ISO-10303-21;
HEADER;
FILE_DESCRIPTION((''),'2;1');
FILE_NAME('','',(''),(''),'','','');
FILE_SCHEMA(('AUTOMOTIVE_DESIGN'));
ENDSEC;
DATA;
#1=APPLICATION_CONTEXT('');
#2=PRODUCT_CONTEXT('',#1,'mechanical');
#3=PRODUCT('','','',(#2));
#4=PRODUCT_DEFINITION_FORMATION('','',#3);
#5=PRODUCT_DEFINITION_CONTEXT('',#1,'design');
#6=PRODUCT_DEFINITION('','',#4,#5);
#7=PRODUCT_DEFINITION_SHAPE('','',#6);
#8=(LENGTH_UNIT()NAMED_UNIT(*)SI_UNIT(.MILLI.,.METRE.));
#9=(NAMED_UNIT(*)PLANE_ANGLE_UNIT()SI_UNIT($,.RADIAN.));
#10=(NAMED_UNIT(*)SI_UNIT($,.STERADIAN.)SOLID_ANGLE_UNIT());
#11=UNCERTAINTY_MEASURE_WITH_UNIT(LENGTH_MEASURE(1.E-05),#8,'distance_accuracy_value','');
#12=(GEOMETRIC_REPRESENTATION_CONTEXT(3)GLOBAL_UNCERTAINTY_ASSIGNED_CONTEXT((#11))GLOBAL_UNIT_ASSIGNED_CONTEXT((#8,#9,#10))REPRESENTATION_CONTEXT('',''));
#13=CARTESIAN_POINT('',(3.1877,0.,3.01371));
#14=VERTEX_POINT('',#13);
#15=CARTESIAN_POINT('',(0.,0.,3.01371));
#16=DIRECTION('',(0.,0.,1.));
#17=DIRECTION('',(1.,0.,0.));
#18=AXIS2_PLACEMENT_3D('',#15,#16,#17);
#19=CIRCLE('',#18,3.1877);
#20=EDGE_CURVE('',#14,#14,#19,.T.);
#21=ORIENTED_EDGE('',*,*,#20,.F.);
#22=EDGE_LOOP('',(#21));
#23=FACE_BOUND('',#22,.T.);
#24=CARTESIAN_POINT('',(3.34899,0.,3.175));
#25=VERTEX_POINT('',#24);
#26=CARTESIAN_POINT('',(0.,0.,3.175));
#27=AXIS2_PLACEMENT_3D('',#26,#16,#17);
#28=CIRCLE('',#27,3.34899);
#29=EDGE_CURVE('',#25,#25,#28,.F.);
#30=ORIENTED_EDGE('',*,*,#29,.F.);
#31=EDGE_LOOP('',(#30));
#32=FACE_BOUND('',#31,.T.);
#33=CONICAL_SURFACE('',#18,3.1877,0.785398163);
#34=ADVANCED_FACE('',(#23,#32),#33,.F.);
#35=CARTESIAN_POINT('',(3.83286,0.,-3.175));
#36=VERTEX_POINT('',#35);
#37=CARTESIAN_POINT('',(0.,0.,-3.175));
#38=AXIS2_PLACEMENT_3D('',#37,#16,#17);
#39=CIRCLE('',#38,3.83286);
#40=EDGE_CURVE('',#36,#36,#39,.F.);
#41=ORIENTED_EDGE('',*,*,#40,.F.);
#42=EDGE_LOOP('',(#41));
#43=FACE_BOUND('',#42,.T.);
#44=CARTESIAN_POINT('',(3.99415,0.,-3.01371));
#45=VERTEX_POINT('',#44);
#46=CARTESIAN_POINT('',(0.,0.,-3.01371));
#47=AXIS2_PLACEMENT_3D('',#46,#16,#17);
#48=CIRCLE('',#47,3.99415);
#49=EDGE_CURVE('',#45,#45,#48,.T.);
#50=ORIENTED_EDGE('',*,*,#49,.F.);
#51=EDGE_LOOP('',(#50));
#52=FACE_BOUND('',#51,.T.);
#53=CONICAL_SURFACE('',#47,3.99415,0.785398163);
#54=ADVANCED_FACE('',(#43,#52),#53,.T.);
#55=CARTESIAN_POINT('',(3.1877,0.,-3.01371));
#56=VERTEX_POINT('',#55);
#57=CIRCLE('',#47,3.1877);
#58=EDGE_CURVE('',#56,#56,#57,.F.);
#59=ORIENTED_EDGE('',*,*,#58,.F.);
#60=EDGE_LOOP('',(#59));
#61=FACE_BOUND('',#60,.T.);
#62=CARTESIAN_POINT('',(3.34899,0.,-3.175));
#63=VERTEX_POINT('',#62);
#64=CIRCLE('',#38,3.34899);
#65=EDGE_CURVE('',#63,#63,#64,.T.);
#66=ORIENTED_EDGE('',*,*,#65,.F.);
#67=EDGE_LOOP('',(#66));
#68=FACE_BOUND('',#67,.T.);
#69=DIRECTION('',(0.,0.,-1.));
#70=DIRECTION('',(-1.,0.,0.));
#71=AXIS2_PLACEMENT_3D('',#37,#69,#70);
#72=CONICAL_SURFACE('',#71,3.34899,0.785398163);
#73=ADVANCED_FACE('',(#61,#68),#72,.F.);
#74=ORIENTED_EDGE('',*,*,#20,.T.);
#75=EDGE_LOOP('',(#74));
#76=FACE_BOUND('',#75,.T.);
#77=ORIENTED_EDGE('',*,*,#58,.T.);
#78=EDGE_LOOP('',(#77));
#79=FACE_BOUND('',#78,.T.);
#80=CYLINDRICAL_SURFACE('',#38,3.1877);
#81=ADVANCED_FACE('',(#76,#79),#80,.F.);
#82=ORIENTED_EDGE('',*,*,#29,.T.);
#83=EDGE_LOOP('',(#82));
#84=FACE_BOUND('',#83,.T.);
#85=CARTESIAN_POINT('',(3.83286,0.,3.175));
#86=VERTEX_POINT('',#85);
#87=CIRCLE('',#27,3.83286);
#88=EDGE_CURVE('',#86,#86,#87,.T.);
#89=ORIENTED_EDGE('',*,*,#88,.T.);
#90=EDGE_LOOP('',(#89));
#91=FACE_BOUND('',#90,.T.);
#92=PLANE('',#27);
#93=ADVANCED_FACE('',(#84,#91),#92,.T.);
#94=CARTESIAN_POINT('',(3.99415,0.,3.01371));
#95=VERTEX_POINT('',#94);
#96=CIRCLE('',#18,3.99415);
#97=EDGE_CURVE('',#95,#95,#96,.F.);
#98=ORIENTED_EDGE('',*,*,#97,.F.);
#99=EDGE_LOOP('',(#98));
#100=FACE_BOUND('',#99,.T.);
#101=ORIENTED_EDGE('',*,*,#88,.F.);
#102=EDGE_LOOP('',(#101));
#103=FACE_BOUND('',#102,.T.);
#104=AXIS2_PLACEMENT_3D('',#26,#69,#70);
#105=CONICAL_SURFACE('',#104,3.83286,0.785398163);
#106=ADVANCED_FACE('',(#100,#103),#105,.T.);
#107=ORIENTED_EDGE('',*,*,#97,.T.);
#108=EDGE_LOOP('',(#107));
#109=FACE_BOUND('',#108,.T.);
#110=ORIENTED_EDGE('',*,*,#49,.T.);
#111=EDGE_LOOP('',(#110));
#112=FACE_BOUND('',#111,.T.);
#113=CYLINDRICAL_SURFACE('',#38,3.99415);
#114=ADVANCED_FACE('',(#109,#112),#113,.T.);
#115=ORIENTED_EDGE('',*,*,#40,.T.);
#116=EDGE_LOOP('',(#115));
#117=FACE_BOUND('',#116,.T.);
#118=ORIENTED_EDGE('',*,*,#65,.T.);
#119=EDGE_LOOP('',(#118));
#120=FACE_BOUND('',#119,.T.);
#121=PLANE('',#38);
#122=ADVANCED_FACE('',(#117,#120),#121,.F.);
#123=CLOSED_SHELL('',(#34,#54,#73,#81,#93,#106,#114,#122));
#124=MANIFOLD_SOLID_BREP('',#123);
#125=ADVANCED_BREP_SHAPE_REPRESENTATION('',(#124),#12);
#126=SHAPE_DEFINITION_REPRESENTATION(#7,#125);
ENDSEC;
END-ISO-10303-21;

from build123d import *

# Parameters (mm, degrees)
BOSS_EXTRUDE1_DEPTH      = 3.175
BOSS_EXTRUDE1_DEPTH_BACK = 3.175
SKETCH14_R               = 3.99415
SKETCH14_R_2             = 3.1877
CHAMFER1_SIZE            = 0.16129


with BuildPart() as part:
    # Sketch14 → Boss-Extrude1 (new, two sides: drawn at the far end of the back side and taken through both)
    with BuildSketch(Plane.XY.offset(-BOSS_EXTRUDE1_DEPTH_BACK)):
        Circle(SKETCH14_R)
        Circle(SKETCH14_R_2, mode=Mode.SUBTRACT)
    extrude(amount=BOSS_EXTRUDE1_DEPTH + BOSS_EXTRUDE1_DEPTH_BACK)

    # Chamfer1
    chamfer1_edges = [part.edges().sort_by_distance(p)[0] for p in [
        (-3.99415, 0, -3.175),
        (-3.1877, 0, -3.175),
        (-3.99415, 0, 3.175),
        (-3.1877, 0, 3.175),
    ]]
    chamfer(chamfer1_edges, length=CHAMFER1_SIZE)


solid = part.part
